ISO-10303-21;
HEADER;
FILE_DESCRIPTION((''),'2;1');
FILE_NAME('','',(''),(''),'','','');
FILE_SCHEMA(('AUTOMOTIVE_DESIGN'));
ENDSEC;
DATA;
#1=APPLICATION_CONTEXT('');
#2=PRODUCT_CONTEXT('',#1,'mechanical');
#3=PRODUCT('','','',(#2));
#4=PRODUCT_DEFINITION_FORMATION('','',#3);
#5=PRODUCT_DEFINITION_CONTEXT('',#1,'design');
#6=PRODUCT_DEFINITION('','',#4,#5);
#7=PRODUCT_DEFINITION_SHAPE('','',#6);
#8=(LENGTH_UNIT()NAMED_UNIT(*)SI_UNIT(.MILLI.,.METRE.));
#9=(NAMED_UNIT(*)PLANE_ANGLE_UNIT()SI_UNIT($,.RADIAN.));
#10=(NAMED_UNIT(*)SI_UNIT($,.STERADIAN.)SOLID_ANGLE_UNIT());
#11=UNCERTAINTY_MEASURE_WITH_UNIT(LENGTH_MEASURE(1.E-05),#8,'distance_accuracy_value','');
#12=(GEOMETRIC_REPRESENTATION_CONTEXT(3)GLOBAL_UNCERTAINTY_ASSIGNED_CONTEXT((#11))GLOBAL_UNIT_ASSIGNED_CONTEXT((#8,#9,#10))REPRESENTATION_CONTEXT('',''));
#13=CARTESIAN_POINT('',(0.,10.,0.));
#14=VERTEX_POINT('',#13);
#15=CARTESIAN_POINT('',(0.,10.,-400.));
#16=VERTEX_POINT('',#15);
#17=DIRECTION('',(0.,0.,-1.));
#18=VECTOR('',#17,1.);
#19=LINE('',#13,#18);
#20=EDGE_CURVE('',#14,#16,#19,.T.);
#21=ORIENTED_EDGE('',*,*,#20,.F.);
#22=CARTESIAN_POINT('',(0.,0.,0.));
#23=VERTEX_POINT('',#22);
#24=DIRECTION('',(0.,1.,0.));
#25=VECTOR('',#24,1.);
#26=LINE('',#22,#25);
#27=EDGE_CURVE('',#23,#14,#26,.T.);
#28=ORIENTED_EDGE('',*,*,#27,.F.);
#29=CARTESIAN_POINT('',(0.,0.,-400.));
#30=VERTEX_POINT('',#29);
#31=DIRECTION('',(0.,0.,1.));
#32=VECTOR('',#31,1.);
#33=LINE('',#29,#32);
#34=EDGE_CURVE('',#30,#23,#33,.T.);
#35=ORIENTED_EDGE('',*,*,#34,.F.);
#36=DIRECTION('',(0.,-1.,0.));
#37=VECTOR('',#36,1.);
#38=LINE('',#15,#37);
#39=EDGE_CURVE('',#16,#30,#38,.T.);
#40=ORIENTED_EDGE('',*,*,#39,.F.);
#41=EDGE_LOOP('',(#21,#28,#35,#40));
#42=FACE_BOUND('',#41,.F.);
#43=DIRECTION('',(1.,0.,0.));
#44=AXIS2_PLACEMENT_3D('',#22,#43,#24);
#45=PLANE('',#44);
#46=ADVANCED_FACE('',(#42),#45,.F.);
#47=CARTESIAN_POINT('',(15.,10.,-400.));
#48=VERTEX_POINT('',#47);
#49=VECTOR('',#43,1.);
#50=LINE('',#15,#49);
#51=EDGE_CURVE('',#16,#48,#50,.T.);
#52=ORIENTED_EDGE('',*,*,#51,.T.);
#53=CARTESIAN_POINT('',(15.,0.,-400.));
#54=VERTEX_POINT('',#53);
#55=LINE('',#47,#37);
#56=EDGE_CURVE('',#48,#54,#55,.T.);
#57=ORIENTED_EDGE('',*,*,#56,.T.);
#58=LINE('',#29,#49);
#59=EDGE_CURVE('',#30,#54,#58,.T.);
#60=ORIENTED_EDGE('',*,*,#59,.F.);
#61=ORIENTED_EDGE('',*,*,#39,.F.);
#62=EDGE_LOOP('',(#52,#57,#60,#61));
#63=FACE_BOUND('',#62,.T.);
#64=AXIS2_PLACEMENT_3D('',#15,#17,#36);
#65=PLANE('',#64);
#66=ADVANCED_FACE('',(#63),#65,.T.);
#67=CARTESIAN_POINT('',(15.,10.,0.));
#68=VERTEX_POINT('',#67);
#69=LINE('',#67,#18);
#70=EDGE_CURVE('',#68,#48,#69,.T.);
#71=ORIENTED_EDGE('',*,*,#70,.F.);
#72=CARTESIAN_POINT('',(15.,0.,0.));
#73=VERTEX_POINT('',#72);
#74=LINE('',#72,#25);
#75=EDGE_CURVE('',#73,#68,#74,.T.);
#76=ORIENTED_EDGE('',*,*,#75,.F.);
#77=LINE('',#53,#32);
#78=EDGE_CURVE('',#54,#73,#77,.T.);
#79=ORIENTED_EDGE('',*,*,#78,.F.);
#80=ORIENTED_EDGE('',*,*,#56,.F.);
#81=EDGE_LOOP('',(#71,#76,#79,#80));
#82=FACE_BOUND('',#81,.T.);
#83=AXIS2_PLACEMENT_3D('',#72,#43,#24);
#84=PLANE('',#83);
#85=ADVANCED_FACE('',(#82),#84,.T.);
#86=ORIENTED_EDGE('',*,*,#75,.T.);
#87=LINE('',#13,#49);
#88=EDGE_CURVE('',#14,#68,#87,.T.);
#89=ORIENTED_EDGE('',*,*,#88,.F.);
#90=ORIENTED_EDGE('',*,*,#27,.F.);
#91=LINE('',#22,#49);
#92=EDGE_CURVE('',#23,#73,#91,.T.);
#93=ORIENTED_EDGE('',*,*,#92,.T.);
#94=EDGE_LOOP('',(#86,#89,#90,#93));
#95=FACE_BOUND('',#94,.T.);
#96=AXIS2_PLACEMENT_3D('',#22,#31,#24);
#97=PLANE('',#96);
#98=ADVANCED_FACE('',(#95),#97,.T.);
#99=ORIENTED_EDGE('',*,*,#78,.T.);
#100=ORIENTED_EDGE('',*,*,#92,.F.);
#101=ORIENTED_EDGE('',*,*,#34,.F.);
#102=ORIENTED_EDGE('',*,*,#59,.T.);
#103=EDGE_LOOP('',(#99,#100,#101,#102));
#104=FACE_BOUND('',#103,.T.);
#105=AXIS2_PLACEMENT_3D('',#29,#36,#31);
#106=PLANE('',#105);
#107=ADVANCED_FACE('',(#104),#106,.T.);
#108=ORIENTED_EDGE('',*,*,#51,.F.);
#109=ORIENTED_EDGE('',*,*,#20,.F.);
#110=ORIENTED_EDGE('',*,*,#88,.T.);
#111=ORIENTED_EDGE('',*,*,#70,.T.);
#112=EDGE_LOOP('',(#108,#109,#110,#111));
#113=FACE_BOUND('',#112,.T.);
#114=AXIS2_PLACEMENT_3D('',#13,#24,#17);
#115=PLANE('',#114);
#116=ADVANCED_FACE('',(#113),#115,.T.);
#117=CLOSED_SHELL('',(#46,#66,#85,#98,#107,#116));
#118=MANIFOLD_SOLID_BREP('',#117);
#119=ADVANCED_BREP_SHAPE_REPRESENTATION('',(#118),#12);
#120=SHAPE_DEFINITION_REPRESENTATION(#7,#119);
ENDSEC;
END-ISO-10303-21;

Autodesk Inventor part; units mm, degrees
ref_plane "YZ Plane" through (0, 0, 0) normal (1, 0, 0) x (0, 1, 0)
ref_plane "XZ Plane" through (0, 0, 0) normal (0, 1, 0) x (-1, 0, 0)
ref_plane "XY Plane" through (0, 0, 0) normal (0, 0, 1) x (1, 0, 0)
sketch "Boceto1" plane through (0, 0, 0) normal (1, 0, 0) x (0, 1, 0)
  line L0 (0, 0) -> (10, 0)
  line L1 (10, 0) -> (10, -400)
  line L2 (10, -400) -> (0, -400)
  line L3 (0, -400) -> (0, 0)
  dimension "d0" = 10
  dimension "d1" = 400
extrude "Extrusión1" add sketch "Boceto1" along normal blind 15
